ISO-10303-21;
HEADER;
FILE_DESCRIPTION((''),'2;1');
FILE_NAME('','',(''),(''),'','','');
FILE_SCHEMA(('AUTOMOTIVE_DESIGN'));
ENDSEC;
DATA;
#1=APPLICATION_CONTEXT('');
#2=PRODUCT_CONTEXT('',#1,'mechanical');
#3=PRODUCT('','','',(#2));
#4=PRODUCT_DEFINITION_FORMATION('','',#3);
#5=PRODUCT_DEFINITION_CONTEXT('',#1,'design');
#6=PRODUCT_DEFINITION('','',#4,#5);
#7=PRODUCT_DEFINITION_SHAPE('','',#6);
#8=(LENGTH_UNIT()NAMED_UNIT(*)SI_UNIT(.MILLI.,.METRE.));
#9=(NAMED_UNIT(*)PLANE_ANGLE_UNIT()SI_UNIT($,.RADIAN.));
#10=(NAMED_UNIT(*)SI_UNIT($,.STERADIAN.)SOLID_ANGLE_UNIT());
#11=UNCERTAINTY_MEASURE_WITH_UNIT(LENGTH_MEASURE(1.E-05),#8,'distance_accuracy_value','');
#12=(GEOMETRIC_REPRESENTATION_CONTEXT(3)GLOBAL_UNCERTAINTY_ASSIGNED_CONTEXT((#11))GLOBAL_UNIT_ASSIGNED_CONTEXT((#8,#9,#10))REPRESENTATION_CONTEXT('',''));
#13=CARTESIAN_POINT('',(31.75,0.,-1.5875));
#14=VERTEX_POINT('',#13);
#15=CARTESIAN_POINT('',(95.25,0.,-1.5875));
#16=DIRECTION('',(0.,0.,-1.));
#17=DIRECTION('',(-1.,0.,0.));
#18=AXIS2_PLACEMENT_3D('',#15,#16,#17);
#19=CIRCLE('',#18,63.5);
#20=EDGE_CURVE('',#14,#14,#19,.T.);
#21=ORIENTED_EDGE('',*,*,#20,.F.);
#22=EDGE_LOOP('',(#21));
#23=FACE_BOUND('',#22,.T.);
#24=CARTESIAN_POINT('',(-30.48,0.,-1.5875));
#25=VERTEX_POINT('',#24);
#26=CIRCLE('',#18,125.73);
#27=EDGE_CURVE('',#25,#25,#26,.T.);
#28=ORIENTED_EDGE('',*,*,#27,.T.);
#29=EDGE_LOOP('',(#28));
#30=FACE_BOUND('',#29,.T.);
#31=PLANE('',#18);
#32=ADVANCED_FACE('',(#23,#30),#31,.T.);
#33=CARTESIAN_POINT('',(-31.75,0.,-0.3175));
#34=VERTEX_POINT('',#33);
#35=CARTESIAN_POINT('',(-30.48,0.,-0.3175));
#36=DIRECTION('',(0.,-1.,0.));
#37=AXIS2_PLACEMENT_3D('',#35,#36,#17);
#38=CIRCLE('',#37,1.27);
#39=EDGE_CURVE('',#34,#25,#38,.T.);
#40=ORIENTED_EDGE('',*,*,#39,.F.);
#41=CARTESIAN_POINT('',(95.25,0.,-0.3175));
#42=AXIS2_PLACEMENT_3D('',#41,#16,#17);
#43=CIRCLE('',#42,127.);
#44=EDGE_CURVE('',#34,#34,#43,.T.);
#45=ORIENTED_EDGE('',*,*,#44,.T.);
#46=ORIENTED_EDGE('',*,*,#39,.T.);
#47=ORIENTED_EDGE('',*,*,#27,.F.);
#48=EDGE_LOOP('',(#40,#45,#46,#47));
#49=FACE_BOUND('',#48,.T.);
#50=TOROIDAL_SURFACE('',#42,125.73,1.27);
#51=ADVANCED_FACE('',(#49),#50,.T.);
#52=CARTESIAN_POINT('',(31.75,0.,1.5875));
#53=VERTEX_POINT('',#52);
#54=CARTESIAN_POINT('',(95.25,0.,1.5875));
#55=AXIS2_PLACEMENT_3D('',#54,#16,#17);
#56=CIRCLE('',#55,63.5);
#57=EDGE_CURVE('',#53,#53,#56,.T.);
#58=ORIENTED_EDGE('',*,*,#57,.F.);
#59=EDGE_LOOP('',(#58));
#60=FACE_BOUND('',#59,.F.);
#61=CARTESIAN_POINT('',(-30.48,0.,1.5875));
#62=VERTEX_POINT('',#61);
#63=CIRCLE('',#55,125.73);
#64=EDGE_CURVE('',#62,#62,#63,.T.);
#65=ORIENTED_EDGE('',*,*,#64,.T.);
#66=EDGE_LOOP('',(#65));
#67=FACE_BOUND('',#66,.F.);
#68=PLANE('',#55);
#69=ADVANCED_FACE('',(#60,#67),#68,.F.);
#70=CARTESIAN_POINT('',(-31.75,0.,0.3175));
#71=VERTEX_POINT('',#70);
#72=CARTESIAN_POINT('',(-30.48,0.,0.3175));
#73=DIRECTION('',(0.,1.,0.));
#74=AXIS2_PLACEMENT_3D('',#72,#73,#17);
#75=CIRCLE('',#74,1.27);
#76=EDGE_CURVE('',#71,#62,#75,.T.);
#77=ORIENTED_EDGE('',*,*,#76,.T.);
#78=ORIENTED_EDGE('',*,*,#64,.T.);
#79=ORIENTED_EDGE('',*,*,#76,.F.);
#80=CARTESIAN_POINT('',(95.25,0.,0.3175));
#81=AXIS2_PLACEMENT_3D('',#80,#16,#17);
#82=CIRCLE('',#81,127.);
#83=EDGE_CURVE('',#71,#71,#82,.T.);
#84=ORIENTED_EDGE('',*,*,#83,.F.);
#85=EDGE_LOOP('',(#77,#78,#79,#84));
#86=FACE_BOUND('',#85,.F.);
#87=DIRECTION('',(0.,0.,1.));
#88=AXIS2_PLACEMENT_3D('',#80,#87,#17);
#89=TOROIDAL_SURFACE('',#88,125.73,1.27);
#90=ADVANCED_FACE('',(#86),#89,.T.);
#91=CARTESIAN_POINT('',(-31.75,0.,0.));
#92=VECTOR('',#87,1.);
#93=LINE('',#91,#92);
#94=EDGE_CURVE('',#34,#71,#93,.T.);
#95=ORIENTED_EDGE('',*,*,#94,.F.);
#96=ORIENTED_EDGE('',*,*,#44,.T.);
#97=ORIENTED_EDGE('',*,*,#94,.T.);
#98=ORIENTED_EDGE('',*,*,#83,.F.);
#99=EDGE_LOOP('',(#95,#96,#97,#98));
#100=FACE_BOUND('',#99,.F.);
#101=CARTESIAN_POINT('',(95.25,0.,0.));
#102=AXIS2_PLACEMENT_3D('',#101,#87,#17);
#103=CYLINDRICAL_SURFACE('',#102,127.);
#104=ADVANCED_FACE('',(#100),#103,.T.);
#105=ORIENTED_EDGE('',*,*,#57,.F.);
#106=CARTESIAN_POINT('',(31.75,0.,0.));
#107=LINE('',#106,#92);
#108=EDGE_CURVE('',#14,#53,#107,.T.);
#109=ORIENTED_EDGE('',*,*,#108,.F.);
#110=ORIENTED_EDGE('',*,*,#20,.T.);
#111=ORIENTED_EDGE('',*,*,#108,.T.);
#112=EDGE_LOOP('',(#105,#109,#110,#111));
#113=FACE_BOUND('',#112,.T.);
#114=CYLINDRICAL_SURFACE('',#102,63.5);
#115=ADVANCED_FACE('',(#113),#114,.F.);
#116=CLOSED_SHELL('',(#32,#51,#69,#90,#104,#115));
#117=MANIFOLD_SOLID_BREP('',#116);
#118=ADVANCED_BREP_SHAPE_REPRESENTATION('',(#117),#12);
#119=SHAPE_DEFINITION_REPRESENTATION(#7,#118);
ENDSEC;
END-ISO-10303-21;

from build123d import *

# Parameters (mm, degrees)
F0_W = 63.5
F0_H = 3.175
F2_R = 1.27


with BuildPart() as f1:
    # F0 (on Front) → F1 (revolve)
    with BuildSketch(Plane.XZ):
        Rectangle(F0_W, F0_H)
    revolve(axis=Axis((95.25, 0, -6.2104322196), (0, 0, -1)))

    # F2
    f2_edges = [f1.edges().sort_by_distance(p)[0] for p in [
        (222.25, 0, -1.5875),
        (222.25, 0, 1.5875),
    ]]
    fillet(f2_edges, radius=F2_R)


solid = f1.part
